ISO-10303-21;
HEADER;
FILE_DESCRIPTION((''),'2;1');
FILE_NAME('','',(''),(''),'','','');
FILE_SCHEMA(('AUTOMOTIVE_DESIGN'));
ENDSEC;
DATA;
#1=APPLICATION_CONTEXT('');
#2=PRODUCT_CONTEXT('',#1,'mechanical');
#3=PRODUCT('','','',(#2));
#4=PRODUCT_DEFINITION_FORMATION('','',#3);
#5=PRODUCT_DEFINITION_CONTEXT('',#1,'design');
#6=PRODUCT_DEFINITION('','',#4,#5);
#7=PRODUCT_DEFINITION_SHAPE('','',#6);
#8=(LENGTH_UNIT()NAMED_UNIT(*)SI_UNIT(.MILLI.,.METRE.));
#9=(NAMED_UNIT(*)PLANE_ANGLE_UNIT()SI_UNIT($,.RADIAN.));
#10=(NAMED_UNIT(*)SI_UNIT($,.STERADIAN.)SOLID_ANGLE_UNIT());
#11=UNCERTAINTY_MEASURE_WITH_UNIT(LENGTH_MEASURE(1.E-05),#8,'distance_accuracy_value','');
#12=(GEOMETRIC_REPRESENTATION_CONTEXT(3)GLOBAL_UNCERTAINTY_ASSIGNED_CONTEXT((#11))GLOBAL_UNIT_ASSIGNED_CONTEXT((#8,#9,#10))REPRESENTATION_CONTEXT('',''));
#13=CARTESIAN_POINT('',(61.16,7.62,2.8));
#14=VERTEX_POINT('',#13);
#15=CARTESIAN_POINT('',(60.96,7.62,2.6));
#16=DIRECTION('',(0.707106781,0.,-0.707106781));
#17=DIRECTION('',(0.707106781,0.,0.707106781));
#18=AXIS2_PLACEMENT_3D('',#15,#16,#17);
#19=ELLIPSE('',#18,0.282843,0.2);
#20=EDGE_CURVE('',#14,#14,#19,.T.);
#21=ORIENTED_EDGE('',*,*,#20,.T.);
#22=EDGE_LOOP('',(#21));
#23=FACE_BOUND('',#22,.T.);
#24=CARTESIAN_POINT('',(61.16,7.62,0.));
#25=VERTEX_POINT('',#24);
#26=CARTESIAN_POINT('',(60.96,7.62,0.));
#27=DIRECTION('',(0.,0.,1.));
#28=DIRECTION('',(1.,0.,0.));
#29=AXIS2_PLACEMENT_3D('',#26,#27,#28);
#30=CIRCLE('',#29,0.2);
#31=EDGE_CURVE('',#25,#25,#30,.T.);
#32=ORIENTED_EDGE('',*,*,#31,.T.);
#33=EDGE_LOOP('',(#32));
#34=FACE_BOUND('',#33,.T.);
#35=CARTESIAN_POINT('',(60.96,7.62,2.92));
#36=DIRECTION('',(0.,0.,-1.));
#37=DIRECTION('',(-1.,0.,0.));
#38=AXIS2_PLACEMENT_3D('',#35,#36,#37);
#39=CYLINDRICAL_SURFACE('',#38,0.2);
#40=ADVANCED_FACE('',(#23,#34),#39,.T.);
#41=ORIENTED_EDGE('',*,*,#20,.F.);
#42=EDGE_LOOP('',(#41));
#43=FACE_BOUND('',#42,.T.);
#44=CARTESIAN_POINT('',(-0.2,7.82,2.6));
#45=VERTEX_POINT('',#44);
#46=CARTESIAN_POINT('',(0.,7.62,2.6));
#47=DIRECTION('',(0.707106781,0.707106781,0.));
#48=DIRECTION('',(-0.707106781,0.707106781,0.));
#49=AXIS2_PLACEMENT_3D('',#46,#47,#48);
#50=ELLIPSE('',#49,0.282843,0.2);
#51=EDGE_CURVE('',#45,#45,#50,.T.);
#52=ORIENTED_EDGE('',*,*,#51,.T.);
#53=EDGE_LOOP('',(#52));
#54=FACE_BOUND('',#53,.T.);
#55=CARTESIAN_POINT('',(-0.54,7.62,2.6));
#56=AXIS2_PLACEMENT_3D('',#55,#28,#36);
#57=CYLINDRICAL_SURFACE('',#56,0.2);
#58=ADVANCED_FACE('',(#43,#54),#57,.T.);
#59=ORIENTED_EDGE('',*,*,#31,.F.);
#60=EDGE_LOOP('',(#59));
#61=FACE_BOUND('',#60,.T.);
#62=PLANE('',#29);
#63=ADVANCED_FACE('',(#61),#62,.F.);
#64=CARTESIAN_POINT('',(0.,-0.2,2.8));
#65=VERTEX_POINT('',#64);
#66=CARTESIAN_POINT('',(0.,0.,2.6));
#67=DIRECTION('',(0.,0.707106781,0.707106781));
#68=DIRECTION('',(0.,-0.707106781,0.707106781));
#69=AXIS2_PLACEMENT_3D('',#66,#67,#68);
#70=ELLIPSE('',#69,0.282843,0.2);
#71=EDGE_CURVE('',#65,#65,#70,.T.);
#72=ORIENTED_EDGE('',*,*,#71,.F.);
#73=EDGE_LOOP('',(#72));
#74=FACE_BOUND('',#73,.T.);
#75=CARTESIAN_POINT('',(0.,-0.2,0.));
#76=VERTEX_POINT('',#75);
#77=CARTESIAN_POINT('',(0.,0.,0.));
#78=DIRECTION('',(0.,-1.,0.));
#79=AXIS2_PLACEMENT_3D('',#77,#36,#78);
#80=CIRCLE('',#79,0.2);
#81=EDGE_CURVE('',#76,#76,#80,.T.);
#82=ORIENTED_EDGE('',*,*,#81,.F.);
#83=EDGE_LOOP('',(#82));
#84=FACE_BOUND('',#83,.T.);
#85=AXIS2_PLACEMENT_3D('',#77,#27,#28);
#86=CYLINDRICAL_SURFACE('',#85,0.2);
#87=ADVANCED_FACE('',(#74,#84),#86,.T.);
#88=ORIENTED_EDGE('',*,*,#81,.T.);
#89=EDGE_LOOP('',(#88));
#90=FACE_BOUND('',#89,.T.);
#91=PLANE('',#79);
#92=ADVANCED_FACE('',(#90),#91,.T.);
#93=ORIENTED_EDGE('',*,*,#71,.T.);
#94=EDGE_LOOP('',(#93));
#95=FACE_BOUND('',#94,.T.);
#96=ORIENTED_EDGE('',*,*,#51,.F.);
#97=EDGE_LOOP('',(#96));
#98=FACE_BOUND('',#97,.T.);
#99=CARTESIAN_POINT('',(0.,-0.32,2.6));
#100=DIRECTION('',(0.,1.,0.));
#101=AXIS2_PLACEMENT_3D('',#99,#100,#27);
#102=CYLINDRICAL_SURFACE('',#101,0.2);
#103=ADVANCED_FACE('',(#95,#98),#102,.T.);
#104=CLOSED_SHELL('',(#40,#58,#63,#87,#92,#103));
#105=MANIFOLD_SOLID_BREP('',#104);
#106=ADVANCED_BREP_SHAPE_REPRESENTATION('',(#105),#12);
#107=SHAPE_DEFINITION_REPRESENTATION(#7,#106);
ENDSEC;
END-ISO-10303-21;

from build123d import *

# Parameters (mm, degrees)
SWEEP1_PROFILE_R = 0.2


with BuildPart() as part:
    # Sweep1: sweep along a curve in space
    with BuildLine() as sweep1_path:
        Line((0, 0, 0), (0, 0, 2.6))
        Line((0, 0, 2.6), (0, 7.62, 2.6))
        Line((0, 7.62, 2.6), (60.96, 7.62, 2.6))
        Line((60.96, 7.62, 2.6), (60.96, 7.62, 0))
    # Sweep1 profile (on start of the path) → Sweep1 (sweep)
    with BuildSketch(Plane.XY):
        Circle(SWEEP1_PROFILE_R)
    sweep(path=sweep1_path.line, transition=Transition.RIGHT)


solid = part.part
